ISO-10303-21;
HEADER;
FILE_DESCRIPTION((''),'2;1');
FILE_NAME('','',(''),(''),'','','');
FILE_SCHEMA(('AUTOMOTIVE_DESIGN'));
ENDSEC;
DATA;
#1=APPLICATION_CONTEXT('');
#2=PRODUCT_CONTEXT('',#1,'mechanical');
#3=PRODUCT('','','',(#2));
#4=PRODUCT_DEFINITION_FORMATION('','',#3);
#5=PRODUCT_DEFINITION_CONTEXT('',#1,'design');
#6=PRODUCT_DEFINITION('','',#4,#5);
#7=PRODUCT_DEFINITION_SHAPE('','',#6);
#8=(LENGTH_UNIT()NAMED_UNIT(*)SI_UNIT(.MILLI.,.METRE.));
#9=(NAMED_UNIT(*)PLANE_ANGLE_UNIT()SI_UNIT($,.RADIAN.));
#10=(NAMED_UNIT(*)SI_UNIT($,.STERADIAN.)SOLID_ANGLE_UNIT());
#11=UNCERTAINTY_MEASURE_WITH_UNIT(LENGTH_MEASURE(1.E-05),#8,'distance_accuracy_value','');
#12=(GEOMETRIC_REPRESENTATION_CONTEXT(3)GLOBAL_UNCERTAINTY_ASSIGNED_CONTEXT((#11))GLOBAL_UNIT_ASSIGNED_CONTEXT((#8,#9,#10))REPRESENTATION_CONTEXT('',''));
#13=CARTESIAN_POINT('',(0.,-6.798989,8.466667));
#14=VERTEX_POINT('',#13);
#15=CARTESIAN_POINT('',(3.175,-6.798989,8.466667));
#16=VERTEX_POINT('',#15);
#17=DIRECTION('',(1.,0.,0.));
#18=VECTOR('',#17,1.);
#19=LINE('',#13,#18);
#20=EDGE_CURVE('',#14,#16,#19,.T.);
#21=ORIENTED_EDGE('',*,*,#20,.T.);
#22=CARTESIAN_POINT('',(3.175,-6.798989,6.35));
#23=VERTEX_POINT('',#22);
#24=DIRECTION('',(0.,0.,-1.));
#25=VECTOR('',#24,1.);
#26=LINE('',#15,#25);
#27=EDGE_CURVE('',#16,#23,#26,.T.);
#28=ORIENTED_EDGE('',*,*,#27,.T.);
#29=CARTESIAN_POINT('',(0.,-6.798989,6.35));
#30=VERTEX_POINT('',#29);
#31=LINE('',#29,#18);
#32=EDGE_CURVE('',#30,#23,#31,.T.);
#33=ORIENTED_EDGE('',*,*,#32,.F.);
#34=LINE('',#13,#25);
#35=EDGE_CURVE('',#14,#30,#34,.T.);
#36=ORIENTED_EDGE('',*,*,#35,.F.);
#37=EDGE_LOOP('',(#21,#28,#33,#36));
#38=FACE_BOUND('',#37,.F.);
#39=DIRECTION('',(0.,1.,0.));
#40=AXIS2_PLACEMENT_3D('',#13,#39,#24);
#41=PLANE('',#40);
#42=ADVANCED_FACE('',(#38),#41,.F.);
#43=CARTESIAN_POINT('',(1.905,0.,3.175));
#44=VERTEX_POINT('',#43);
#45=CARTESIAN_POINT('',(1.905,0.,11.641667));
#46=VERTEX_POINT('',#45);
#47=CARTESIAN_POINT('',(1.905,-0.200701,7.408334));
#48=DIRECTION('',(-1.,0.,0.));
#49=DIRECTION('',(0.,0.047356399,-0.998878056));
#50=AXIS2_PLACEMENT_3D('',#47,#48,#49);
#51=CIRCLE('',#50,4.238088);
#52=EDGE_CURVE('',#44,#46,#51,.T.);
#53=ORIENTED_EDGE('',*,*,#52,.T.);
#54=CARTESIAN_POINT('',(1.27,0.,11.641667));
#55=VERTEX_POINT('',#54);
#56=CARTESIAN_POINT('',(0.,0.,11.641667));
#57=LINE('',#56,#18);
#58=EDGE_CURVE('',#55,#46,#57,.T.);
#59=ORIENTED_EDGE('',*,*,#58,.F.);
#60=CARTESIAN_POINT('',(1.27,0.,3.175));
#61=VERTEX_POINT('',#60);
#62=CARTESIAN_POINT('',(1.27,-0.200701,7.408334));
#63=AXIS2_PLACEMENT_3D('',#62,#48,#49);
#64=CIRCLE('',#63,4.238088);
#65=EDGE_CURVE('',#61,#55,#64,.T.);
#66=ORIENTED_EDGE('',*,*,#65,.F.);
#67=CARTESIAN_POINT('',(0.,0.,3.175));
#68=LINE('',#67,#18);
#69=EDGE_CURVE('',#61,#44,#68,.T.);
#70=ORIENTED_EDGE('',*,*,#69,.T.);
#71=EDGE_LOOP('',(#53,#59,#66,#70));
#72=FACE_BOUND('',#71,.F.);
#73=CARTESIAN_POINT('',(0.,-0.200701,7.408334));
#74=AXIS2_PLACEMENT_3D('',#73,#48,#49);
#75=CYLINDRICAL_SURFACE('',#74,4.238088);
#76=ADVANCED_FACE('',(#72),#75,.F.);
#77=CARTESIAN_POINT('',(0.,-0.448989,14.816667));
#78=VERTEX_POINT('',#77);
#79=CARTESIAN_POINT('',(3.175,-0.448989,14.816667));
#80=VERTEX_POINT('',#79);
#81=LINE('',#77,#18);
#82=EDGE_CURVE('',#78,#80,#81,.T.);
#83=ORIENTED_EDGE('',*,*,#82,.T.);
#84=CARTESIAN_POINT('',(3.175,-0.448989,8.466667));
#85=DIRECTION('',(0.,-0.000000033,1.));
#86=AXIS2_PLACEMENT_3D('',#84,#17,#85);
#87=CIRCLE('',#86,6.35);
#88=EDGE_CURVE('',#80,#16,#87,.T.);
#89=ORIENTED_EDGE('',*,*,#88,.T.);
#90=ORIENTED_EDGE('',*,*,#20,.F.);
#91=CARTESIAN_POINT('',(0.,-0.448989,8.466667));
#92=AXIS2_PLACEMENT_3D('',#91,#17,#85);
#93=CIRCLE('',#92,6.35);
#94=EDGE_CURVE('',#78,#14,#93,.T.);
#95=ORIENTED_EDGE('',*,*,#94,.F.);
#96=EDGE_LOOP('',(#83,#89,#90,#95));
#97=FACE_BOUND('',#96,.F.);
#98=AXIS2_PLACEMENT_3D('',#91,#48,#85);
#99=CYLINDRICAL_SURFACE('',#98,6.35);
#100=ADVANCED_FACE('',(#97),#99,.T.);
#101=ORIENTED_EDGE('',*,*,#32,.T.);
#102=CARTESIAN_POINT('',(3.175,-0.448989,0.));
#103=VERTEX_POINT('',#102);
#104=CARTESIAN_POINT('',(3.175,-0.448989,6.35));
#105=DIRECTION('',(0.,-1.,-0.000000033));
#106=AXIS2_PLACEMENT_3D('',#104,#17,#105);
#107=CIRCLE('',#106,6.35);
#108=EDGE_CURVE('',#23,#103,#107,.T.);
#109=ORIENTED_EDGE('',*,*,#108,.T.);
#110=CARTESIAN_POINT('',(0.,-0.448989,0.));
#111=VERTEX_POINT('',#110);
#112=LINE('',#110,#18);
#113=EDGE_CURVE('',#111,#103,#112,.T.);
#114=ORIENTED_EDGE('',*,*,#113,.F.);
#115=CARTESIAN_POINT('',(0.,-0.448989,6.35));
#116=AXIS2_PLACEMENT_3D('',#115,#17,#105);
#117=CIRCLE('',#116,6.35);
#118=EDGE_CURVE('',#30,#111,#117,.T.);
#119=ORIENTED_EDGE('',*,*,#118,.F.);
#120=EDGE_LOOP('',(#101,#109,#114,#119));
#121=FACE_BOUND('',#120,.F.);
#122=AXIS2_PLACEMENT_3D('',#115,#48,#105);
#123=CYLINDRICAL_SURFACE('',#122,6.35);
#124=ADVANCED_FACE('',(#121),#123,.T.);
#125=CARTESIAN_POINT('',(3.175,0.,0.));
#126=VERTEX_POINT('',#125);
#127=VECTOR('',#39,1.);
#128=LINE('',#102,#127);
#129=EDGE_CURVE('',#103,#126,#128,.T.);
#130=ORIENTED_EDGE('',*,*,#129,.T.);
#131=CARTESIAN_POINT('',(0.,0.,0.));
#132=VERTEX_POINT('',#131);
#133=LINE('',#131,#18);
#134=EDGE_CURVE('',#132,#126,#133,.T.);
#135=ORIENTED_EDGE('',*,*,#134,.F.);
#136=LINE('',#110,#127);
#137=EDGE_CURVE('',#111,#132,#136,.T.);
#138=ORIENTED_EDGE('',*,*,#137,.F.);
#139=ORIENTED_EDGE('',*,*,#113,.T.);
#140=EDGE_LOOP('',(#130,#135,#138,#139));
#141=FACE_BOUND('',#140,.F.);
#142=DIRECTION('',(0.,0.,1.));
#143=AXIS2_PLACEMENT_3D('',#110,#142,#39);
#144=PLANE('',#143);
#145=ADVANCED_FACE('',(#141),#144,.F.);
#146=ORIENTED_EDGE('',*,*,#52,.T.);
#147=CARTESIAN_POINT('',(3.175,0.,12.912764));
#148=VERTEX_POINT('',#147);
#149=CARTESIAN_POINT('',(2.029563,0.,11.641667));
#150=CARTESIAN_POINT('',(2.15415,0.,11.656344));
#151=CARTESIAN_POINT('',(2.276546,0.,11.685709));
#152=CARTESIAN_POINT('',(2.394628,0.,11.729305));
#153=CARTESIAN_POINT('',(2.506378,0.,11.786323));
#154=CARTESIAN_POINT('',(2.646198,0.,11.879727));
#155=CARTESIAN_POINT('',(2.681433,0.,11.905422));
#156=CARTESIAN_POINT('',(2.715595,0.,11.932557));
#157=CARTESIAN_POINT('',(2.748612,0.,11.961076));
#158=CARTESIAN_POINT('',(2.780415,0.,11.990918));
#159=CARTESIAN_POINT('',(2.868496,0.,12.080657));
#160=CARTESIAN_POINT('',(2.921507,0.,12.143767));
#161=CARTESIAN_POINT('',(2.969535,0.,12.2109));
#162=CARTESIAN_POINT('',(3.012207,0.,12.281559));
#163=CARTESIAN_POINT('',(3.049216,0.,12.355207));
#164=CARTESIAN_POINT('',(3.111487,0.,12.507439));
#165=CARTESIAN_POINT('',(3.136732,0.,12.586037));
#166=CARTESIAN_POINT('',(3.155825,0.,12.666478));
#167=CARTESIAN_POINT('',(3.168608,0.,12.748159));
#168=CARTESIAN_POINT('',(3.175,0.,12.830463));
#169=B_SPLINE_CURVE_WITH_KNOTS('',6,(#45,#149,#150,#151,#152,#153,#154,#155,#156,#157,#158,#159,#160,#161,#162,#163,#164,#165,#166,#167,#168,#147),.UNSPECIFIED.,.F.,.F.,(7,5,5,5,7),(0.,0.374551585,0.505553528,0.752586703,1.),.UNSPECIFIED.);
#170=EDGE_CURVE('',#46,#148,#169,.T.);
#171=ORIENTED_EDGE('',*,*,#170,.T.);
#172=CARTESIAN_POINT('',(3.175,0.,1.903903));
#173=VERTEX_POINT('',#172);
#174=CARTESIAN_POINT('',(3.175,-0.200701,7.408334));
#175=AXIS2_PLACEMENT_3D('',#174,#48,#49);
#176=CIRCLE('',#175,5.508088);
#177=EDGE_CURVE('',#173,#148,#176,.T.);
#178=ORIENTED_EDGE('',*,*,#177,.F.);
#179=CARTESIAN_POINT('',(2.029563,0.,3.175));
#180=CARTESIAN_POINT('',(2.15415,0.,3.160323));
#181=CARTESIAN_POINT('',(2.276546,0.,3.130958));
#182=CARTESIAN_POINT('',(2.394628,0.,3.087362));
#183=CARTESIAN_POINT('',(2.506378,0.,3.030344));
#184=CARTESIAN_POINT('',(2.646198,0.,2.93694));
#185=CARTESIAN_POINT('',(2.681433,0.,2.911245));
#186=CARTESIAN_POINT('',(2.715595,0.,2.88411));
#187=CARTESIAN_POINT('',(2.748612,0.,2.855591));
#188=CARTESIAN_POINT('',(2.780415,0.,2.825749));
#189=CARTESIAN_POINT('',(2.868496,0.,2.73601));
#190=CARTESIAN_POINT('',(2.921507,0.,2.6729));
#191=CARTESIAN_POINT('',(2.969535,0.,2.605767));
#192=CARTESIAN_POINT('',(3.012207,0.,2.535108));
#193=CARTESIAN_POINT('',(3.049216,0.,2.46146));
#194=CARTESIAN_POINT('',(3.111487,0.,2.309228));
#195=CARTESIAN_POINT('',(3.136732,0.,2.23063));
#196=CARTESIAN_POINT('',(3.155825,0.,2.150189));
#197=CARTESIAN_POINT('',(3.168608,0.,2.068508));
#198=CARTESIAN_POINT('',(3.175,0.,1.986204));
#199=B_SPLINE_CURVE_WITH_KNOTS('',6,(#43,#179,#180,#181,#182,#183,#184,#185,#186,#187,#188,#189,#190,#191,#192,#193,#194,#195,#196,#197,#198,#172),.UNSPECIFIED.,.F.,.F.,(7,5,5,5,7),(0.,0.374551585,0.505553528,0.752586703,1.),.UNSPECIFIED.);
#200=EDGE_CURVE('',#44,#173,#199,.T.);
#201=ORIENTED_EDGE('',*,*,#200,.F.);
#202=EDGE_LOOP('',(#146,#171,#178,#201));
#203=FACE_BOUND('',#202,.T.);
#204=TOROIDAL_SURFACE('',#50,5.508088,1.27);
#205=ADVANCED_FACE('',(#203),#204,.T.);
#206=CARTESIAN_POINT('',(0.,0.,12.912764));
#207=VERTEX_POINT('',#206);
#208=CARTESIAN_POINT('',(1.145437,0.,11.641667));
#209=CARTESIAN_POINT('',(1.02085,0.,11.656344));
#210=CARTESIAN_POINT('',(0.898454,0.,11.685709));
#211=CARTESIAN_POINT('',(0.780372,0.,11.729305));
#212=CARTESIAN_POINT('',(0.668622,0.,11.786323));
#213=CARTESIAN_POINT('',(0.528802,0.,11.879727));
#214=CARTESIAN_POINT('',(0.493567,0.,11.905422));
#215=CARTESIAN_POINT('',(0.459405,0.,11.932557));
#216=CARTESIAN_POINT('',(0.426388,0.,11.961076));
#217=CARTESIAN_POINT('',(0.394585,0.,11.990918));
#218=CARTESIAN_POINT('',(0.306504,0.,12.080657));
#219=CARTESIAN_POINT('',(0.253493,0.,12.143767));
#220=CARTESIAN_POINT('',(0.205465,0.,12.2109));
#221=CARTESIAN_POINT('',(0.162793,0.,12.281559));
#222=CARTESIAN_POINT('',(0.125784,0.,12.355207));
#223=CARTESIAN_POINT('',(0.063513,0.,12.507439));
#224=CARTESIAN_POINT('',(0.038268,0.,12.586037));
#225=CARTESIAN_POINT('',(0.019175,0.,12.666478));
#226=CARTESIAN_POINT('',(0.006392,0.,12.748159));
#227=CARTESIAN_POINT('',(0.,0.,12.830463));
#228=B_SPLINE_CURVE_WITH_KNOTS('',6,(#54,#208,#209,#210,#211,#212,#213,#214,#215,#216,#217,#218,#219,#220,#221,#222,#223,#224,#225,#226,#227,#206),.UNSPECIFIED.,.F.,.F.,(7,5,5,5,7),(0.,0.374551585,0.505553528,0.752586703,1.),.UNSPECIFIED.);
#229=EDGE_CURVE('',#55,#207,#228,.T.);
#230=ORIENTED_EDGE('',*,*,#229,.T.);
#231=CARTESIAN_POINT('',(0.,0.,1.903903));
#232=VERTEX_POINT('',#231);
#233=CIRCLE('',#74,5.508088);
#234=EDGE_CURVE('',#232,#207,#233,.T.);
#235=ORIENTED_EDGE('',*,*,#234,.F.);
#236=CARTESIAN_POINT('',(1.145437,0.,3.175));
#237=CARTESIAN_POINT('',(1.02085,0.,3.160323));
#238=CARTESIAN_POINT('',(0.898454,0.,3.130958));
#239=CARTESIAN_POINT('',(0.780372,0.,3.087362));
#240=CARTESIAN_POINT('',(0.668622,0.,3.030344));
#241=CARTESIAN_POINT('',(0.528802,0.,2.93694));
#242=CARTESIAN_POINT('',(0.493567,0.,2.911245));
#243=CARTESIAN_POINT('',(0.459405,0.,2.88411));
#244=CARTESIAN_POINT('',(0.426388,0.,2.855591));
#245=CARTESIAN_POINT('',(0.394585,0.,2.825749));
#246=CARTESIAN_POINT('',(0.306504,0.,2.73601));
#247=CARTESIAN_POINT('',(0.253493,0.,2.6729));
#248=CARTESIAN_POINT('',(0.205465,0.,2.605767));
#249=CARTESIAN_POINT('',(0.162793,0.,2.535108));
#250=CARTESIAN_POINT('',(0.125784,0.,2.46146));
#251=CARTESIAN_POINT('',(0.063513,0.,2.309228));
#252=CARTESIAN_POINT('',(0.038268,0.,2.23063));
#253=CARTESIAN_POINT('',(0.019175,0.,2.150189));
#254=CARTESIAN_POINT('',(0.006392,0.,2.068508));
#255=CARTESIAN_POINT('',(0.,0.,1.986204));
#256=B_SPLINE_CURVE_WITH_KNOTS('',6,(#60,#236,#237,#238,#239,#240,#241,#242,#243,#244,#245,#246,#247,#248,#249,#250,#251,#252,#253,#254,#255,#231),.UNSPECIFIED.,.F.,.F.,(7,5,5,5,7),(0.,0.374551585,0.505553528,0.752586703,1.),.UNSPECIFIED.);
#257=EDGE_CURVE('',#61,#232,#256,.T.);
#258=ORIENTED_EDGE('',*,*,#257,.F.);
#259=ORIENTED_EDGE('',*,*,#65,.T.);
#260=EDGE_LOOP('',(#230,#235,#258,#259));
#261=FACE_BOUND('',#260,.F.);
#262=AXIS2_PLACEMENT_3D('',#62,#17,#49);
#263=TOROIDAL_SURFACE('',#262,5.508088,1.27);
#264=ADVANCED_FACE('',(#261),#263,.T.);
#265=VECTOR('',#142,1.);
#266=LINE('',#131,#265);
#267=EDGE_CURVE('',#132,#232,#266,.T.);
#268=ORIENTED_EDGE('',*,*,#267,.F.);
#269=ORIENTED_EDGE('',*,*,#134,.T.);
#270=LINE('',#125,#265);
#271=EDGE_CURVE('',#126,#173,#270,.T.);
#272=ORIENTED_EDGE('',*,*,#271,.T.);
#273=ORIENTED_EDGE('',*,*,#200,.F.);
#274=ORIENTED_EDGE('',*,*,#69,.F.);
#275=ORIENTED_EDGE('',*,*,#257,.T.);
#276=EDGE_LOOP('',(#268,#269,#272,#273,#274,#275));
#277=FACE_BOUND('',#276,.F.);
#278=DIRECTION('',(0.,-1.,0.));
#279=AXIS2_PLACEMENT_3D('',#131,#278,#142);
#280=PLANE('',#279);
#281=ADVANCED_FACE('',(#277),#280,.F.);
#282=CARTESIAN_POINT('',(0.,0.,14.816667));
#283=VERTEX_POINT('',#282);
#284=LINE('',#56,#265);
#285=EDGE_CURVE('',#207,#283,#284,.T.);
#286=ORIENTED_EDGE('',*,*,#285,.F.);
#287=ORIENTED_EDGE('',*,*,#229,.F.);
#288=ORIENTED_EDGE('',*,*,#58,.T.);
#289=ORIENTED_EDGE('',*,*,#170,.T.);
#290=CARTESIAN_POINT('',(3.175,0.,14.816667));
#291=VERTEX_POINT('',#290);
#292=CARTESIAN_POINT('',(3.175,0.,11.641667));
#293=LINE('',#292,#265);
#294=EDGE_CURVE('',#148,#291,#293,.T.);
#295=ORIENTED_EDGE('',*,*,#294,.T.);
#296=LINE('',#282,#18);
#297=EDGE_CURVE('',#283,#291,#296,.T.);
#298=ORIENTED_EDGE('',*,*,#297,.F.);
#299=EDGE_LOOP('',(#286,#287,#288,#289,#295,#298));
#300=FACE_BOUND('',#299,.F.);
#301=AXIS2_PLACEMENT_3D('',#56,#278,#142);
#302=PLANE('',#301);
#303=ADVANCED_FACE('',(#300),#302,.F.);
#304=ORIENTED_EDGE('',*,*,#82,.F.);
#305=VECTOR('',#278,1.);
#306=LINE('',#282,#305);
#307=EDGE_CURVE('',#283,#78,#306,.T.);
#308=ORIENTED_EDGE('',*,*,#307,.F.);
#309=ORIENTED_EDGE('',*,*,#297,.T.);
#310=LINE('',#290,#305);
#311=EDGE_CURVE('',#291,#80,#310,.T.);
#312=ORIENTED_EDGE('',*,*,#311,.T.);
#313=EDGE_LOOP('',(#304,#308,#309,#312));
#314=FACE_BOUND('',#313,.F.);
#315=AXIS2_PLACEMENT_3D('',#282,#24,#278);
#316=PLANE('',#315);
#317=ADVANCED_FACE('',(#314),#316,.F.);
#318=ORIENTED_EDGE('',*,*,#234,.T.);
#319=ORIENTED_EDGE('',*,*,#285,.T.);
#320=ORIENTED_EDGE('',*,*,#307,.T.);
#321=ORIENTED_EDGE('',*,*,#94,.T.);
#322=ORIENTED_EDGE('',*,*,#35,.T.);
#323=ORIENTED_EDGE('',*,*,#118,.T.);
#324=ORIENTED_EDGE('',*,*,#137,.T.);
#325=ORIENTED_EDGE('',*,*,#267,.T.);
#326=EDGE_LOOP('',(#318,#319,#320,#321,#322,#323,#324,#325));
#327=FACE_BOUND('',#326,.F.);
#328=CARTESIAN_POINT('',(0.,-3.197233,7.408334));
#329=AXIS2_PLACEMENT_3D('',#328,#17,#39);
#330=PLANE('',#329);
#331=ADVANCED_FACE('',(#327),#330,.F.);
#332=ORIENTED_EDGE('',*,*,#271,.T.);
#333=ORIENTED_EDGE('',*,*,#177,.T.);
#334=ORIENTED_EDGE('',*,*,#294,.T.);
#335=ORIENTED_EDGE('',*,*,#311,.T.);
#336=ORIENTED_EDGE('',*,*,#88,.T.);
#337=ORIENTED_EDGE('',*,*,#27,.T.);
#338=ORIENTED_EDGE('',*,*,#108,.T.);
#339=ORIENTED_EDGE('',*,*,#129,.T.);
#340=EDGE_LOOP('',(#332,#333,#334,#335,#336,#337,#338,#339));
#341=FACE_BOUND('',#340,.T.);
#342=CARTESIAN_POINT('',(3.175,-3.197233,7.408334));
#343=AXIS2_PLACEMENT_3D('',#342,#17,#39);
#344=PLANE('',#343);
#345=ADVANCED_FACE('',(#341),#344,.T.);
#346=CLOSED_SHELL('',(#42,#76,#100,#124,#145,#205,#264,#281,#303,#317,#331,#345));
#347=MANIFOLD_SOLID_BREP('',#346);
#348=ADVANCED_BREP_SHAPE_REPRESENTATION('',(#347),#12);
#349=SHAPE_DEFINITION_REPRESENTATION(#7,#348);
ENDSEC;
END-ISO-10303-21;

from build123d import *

# Parameters (mm, degrees)
F1_DEPTH = 3.175
F2_R     = 1.27


with BuildPart() as f1:
    # F0 (on Right) → F1 (new body)
    with BuildSketch(Plane.YZ):
        with BuildLine():
            Line((-0.448989, 0), (0, 0))
            Line((0, 0), (0, 3.175))
            ThreePointArc((0, 3.175), (-4.438789, 7.408333), (0, 11.641667))
            Line((0, 11.641667), (0, 14.816667))
            Line((0, 14.816667), (-0.448989, 14.816667))
            ThreePointArc((-0.448989, 14.816667), (-4.939117, 12.956795), (-6.798989, 8.466667))
            Line((-6.798989, 8.466667), (-6.798989, 6.35))
            ThreePointArc((-6.798989, 6.35), (-4.939117, 1.859872), (-0.448989, 0))
        make_face()
    extrude(amount=F1_DEPTH)

    # F2
    f2_edges = [f1.edges().sort_by_distance(p)[0] for p in [
        (3.175, -4.438789, 7.408333),
        (0, -4.438789, 7.408333),
    ]]
    fillet(f2_edges, radius=F2_R)


solid = f1.part
